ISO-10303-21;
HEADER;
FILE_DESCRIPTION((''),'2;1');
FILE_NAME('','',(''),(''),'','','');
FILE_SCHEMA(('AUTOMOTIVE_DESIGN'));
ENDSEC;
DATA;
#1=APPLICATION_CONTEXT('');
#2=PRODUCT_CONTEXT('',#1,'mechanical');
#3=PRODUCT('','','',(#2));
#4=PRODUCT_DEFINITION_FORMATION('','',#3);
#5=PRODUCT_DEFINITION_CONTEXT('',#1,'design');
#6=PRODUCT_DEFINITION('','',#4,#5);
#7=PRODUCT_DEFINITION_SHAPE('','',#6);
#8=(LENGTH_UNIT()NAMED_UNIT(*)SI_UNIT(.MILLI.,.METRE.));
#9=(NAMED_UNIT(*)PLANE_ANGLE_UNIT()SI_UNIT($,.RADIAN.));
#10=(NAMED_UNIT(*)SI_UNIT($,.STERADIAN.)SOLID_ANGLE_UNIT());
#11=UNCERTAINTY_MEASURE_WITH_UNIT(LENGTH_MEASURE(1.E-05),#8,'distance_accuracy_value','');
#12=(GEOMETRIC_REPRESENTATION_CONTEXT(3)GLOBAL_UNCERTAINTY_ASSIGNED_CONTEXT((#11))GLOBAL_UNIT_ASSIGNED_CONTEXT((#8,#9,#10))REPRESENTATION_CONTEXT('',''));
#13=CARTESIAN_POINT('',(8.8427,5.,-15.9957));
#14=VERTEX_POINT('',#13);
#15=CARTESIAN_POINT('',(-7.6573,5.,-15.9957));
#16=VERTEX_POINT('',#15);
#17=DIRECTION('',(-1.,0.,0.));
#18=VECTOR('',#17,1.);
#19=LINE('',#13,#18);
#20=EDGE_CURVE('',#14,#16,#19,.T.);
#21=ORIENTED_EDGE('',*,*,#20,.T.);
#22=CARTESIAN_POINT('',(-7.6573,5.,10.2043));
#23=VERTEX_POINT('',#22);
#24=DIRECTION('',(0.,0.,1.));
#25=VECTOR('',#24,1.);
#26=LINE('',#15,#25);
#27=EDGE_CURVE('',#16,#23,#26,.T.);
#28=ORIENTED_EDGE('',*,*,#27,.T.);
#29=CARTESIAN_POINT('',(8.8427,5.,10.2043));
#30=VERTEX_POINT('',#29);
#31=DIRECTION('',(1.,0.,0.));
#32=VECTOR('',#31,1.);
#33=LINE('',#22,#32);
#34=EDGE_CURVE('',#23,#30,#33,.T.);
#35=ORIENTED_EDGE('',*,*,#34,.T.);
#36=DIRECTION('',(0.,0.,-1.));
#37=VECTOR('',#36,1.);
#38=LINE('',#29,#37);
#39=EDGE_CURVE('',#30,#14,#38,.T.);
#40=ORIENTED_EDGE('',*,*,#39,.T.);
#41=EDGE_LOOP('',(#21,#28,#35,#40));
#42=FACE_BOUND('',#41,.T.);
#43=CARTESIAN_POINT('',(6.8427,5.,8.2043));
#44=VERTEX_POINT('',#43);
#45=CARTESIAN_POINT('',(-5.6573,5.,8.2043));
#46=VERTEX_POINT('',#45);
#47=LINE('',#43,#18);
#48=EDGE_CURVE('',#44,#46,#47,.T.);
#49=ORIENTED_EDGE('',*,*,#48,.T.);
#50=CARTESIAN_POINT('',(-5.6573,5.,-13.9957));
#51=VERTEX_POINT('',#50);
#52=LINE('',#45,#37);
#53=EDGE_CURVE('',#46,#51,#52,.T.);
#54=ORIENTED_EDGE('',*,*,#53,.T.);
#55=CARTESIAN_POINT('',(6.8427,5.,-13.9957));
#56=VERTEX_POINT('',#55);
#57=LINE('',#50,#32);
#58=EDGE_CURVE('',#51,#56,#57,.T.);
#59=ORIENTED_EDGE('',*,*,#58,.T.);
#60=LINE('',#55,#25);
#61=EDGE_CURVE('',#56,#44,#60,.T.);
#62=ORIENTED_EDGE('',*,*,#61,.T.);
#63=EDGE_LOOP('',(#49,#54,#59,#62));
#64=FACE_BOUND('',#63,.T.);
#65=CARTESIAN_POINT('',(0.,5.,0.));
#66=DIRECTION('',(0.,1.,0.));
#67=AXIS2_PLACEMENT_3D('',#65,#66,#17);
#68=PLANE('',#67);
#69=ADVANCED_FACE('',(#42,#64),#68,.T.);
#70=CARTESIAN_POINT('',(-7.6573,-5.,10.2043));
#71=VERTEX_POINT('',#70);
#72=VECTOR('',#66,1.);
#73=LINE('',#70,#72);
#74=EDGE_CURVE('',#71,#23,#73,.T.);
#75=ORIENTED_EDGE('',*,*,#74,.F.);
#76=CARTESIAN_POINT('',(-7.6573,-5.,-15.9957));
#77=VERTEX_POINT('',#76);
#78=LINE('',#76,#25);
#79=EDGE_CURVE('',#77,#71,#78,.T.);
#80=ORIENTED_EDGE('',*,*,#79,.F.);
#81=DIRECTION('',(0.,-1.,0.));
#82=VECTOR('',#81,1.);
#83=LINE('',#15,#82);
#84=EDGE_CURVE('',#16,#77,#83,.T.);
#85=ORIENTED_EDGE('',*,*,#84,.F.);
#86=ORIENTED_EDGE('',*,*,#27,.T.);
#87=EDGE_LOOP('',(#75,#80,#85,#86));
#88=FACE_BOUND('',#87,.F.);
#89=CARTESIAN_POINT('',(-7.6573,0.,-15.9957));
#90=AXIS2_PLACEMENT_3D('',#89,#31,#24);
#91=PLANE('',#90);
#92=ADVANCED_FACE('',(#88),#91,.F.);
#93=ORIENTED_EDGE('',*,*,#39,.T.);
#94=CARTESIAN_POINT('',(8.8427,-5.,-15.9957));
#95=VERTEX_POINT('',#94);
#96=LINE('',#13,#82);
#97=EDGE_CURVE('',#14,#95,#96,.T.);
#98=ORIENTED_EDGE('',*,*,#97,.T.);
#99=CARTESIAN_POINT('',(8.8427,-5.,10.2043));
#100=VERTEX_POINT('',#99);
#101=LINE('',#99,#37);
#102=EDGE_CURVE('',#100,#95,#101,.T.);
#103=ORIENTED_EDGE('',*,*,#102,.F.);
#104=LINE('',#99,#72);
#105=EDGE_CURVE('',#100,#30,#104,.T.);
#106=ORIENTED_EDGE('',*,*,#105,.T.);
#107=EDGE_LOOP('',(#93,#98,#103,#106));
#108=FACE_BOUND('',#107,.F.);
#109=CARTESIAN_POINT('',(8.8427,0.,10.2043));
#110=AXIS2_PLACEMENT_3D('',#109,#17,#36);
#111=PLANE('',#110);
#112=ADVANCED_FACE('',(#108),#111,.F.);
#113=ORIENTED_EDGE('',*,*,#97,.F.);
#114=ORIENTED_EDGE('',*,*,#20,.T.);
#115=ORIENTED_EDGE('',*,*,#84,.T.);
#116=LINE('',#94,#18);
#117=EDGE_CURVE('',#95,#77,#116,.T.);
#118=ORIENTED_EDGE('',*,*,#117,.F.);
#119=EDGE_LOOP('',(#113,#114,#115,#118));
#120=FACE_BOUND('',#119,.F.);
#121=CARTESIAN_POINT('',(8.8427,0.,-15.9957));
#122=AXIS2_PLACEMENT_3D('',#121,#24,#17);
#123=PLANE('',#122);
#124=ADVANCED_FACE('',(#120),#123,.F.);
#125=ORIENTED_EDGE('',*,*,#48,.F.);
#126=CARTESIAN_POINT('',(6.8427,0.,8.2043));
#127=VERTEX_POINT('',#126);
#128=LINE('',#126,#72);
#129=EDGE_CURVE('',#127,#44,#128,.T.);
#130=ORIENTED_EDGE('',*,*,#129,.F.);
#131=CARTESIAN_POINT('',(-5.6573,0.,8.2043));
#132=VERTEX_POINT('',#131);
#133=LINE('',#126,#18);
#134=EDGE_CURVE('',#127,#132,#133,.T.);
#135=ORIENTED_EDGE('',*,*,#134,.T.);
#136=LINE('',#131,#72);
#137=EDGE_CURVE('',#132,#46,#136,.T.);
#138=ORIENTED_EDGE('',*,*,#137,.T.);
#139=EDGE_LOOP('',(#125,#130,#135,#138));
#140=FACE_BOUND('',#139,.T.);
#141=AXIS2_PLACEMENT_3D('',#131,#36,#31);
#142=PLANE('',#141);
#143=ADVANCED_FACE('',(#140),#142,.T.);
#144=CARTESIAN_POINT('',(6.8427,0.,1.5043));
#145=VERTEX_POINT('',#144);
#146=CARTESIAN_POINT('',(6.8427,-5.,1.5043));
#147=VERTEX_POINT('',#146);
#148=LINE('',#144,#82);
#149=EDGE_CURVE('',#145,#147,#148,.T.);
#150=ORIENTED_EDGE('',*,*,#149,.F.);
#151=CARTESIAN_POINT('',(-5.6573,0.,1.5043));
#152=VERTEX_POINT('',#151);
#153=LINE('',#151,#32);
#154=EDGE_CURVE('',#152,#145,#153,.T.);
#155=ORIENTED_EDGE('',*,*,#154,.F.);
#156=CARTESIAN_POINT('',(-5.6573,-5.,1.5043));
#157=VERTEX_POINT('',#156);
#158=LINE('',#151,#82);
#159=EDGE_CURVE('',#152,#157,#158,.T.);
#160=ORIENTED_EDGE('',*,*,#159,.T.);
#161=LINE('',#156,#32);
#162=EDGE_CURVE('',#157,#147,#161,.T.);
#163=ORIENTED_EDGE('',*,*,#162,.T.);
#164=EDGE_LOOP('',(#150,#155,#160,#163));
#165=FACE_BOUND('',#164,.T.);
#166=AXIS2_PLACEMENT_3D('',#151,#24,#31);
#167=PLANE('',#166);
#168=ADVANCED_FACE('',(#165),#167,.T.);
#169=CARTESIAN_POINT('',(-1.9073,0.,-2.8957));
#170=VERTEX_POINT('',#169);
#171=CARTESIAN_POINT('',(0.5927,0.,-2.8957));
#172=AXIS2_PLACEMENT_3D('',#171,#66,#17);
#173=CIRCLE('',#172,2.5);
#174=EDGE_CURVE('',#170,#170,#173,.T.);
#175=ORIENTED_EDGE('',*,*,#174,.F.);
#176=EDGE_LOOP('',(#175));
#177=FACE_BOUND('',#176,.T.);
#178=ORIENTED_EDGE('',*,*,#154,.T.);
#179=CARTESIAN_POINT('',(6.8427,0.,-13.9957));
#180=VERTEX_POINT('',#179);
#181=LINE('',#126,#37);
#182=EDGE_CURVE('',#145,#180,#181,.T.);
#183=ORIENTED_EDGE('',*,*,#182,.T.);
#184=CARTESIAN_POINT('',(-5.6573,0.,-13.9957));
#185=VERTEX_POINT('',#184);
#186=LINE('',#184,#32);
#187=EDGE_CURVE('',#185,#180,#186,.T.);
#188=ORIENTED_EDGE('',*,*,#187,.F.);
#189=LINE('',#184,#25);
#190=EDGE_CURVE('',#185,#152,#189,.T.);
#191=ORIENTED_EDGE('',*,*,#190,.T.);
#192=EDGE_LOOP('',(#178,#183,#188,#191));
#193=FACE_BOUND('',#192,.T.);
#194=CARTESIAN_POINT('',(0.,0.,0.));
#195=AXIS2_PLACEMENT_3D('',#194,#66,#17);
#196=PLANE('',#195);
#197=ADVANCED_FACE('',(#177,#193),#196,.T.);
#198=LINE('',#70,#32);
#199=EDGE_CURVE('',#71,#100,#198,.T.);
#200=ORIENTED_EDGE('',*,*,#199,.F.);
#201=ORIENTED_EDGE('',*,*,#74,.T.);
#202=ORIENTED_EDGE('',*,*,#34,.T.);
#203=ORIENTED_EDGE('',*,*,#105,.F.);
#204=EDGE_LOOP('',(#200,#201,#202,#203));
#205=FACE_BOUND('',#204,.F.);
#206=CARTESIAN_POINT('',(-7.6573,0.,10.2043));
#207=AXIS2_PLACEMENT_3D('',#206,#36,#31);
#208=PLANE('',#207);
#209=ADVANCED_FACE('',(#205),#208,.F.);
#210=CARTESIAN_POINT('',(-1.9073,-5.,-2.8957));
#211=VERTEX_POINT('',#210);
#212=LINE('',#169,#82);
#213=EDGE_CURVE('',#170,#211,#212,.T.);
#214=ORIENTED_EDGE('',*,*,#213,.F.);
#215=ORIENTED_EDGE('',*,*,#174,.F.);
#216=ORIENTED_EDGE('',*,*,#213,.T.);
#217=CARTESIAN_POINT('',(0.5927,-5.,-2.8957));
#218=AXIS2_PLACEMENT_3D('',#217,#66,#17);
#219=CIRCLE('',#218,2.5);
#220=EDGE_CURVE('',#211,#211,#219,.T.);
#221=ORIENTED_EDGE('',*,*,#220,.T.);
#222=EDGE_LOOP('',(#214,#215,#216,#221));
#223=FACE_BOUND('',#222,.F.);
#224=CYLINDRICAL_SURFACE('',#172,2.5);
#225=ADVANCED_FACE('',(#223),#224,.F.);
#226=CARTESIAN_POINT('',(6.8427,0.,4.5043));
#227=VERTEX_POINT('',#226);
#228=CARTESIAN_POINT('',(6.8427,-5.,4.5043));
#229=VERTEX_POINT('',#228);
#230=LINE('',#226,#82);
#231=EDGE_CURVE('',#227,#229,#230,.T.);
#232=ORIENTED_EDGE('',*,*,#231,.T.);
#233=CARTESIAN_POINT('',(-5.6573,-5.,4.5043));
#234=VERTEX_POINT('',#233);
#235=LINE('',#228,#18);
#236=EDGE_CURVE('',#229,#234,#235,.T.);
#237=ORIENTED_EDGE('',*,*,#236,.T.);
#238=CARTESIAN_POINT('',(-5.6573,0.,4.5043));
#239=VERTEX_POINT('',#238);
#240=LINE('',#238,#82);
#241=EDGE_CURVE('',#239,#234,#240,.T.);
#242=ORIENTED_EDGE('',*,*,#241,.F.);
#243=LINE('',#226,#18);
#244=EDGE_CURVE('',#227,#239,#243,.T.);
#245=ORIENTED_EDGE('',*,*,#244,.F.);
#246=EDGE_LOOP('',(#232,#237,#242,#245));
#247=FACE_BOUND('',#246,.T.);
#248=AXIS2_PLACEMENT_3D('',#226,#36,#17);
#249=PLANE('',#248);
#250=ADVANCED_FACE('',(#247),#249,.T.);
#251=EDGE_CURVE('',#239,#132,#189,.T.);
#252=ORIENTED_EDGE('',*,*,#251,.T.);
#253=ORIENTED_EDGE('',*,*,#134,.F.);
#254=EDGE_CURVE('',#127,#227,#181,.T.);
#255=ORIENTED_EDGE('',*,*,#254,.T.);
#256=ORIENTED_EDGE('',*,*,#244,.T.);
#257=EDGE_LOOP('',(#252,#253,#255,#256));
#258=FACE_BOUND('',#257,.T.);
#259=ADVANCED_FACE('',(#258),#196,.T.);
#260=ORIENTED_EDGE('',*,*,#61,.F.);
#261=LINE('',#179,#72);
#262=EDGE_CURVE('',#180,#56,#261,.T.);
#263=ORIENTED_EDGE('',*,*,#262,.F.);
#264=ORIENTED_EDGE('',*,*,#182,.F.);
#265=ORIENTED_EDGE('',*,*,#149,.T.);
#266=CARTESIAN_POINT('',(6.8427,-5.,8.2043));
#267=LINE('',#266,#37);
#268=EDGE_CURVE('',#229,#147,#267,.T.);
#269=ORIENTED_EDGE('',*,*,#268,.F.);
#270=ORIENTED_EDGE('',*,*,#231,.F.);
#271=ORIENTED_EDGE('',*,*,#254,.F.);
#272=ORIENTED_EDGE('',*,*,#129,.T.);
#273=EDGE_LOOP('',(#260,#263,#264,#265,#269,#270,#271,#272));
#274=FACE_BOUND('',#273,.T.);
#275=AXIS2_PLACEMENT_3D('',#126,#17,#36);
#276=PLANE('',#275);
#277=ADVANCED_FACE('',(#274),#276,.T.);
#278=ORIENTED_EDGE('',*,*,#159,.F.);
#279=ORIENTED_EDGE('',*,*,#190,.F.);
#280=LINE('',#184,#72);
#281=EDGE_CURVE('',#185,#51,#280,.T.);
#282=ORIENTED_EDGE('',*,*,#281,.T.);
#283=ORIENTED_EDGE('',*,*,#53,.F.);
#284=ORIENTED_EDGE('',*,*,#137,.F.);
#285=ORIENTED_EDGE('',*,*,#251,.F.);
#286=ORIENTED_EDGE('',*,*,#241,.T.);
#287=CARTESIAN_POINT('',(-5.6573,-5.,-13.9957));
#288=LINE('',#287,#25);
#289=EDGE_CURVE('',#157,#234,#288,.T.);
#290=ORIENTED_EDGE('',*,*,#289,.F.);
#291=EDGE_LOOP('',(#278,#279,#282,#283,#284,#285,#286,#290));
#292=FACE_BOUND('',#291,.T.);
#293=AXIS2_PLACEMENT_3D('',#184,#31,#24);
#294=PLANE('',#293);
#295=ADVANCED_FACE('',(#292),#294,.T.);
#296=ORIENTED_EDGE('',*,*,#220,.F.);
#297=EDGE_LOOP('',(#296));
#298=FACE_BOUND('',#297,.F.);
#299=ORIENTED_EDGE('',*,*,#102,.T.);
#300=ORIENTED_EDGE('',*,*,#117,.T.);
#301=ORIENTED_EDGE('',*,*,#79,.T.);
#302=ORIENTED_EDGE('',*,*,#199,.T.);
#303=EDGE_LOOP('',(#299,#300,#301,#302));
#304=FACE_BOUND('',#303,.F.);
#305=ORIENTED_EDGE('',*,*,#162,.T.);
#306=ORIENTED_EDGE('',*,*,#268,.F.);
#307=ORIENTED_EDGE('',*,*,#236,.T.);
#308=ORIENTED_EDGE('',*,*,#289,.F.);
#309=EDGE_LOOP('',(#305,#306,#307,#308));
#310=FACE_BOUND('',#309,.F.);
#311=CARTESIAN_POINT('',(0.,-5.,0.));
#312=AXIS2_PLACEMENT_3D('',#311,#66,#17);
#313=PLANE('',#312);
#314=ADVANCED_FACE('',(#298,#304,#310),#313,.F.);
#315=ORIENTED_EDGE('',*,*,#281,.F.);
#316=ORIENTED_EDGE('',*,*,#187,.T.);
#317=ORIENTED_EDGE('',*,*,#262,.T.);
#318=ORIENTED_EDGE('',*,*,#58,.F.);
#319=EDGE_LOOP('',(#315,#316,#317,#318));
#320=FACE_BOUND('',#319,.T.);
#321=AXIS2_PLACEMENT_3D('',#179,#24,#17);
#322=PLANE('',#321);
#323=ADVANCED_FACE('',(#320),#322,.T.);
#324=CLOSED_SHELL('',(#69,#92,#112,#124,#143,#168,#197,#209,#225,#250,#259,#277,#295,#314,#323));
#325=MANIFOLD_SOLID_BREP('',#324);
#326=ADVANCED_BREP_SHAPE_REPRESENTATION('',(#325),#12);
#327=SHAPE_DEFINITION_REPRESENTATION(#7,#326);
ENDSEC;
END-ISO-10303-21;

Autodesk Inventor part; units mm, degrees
ref_plane "YZ Plane" through (0, 0, 0) normal (1, 0, 0) x (0, 1, 0)
ref_plane "XZ Plane" through (0, 0, 0) normal (0, 1, 0) x (-1, 0, 0)
ref_plane "XY Plane" through (0, 0, 0) normal (0, 0, 1) x (1, 0, 0)
sketch "スケッチ1" plane through (0, 0, 0) normal (0, 1, 0) x (-1, 0, 0)
  line L0 (7.6573, 10.2043) -> (-8.8427, 10.2043)
  line L1 (-8.8427, 10.2043) -> (-8.8427, -15.9957)
  line L2 (-8.8427, -15.9957) -> (7.6573, -15.9957)
  line L3 (7.6573, -15.9957) -> (7.6573, 10.2043)
  line L4 (5.6573, 8.2043) -> (-6.8427, 8.2043)
  line L5 (-6.8427, 8.2043) -> (-6.8427, -13.9957)
  line L6 (-6.8427, -13.9957) -> (5.6573, -13.9957)
  line L7 (5.6573, -13.9957) -> (5.6573, 8.2043)
  line L8 (5.6573, 8.2043) -> (0.5388, 8.2043)
  line L9 (0.5388, -13.9957) -> (5.6573, -13.9957)
  line L10 (5.6573, -13.9957) -> (5.6573, 8.2043)
  circle A0 centre (-0.5927, -2.8957) radius 2.5
  line L11 (-6.8427, 4.5043) -> (5.6573, 4.5043)
  line L12 (5.6573, 4.5043) -> (5.6573, 1.5043)
  line L13 (5.6573, 1.5043) -> (-6.8427, 1.5043)
  line L14 (-6.8427, 1.5043) -> (-6.8427, 4.5043)
  point P0 (0, 0)
  dimension "d0" = 12.5
  dimension "d1" = 22.2
  dimension "d2" = 2
  dimension "d3" = 2
  dimension "d4" = 2
  dimension "d5" = 2
  dimension "d6" = 3.7
  dimension "d7" = 3
  dimension "d8" = 5
  dimension "d9" = 6.25
  dimension "d11" = 13.1
  dimension "d12" = 13.1
  dimension "d17" = 6.25
extrude "押し出し1" add sketch "スケッチ1" along normal blind 5 contours L3 L2 L1 L0
extrude "押し出し2" add sketch "スケッチ1" against normal blind 5 contours L3 L2 L1 L0 | L7 L11 L5 L4 | L7 L6 L5 L13
sketch "スケッチ2" plane through (0, 5, 0) normal (0, 1, 0) x (1, 0, 0)
  line L0 (8.8427, -10.2043) -> (8.8427, 15.9957) projected
  line L1 (8.8427, 15.9957) -> (-7.6728, 15.9957)
  line L2 (-7.6728, 15.9957) -> (-7.6728, 14.001)
  line L3 (-7.6728, 14.001) -> (8.8427, 14.001)
  line L4 (8.8427, 14.001) -> (8.8427, 15.9957)
  point P0 (0, 0)
properties part number "armpart3"
